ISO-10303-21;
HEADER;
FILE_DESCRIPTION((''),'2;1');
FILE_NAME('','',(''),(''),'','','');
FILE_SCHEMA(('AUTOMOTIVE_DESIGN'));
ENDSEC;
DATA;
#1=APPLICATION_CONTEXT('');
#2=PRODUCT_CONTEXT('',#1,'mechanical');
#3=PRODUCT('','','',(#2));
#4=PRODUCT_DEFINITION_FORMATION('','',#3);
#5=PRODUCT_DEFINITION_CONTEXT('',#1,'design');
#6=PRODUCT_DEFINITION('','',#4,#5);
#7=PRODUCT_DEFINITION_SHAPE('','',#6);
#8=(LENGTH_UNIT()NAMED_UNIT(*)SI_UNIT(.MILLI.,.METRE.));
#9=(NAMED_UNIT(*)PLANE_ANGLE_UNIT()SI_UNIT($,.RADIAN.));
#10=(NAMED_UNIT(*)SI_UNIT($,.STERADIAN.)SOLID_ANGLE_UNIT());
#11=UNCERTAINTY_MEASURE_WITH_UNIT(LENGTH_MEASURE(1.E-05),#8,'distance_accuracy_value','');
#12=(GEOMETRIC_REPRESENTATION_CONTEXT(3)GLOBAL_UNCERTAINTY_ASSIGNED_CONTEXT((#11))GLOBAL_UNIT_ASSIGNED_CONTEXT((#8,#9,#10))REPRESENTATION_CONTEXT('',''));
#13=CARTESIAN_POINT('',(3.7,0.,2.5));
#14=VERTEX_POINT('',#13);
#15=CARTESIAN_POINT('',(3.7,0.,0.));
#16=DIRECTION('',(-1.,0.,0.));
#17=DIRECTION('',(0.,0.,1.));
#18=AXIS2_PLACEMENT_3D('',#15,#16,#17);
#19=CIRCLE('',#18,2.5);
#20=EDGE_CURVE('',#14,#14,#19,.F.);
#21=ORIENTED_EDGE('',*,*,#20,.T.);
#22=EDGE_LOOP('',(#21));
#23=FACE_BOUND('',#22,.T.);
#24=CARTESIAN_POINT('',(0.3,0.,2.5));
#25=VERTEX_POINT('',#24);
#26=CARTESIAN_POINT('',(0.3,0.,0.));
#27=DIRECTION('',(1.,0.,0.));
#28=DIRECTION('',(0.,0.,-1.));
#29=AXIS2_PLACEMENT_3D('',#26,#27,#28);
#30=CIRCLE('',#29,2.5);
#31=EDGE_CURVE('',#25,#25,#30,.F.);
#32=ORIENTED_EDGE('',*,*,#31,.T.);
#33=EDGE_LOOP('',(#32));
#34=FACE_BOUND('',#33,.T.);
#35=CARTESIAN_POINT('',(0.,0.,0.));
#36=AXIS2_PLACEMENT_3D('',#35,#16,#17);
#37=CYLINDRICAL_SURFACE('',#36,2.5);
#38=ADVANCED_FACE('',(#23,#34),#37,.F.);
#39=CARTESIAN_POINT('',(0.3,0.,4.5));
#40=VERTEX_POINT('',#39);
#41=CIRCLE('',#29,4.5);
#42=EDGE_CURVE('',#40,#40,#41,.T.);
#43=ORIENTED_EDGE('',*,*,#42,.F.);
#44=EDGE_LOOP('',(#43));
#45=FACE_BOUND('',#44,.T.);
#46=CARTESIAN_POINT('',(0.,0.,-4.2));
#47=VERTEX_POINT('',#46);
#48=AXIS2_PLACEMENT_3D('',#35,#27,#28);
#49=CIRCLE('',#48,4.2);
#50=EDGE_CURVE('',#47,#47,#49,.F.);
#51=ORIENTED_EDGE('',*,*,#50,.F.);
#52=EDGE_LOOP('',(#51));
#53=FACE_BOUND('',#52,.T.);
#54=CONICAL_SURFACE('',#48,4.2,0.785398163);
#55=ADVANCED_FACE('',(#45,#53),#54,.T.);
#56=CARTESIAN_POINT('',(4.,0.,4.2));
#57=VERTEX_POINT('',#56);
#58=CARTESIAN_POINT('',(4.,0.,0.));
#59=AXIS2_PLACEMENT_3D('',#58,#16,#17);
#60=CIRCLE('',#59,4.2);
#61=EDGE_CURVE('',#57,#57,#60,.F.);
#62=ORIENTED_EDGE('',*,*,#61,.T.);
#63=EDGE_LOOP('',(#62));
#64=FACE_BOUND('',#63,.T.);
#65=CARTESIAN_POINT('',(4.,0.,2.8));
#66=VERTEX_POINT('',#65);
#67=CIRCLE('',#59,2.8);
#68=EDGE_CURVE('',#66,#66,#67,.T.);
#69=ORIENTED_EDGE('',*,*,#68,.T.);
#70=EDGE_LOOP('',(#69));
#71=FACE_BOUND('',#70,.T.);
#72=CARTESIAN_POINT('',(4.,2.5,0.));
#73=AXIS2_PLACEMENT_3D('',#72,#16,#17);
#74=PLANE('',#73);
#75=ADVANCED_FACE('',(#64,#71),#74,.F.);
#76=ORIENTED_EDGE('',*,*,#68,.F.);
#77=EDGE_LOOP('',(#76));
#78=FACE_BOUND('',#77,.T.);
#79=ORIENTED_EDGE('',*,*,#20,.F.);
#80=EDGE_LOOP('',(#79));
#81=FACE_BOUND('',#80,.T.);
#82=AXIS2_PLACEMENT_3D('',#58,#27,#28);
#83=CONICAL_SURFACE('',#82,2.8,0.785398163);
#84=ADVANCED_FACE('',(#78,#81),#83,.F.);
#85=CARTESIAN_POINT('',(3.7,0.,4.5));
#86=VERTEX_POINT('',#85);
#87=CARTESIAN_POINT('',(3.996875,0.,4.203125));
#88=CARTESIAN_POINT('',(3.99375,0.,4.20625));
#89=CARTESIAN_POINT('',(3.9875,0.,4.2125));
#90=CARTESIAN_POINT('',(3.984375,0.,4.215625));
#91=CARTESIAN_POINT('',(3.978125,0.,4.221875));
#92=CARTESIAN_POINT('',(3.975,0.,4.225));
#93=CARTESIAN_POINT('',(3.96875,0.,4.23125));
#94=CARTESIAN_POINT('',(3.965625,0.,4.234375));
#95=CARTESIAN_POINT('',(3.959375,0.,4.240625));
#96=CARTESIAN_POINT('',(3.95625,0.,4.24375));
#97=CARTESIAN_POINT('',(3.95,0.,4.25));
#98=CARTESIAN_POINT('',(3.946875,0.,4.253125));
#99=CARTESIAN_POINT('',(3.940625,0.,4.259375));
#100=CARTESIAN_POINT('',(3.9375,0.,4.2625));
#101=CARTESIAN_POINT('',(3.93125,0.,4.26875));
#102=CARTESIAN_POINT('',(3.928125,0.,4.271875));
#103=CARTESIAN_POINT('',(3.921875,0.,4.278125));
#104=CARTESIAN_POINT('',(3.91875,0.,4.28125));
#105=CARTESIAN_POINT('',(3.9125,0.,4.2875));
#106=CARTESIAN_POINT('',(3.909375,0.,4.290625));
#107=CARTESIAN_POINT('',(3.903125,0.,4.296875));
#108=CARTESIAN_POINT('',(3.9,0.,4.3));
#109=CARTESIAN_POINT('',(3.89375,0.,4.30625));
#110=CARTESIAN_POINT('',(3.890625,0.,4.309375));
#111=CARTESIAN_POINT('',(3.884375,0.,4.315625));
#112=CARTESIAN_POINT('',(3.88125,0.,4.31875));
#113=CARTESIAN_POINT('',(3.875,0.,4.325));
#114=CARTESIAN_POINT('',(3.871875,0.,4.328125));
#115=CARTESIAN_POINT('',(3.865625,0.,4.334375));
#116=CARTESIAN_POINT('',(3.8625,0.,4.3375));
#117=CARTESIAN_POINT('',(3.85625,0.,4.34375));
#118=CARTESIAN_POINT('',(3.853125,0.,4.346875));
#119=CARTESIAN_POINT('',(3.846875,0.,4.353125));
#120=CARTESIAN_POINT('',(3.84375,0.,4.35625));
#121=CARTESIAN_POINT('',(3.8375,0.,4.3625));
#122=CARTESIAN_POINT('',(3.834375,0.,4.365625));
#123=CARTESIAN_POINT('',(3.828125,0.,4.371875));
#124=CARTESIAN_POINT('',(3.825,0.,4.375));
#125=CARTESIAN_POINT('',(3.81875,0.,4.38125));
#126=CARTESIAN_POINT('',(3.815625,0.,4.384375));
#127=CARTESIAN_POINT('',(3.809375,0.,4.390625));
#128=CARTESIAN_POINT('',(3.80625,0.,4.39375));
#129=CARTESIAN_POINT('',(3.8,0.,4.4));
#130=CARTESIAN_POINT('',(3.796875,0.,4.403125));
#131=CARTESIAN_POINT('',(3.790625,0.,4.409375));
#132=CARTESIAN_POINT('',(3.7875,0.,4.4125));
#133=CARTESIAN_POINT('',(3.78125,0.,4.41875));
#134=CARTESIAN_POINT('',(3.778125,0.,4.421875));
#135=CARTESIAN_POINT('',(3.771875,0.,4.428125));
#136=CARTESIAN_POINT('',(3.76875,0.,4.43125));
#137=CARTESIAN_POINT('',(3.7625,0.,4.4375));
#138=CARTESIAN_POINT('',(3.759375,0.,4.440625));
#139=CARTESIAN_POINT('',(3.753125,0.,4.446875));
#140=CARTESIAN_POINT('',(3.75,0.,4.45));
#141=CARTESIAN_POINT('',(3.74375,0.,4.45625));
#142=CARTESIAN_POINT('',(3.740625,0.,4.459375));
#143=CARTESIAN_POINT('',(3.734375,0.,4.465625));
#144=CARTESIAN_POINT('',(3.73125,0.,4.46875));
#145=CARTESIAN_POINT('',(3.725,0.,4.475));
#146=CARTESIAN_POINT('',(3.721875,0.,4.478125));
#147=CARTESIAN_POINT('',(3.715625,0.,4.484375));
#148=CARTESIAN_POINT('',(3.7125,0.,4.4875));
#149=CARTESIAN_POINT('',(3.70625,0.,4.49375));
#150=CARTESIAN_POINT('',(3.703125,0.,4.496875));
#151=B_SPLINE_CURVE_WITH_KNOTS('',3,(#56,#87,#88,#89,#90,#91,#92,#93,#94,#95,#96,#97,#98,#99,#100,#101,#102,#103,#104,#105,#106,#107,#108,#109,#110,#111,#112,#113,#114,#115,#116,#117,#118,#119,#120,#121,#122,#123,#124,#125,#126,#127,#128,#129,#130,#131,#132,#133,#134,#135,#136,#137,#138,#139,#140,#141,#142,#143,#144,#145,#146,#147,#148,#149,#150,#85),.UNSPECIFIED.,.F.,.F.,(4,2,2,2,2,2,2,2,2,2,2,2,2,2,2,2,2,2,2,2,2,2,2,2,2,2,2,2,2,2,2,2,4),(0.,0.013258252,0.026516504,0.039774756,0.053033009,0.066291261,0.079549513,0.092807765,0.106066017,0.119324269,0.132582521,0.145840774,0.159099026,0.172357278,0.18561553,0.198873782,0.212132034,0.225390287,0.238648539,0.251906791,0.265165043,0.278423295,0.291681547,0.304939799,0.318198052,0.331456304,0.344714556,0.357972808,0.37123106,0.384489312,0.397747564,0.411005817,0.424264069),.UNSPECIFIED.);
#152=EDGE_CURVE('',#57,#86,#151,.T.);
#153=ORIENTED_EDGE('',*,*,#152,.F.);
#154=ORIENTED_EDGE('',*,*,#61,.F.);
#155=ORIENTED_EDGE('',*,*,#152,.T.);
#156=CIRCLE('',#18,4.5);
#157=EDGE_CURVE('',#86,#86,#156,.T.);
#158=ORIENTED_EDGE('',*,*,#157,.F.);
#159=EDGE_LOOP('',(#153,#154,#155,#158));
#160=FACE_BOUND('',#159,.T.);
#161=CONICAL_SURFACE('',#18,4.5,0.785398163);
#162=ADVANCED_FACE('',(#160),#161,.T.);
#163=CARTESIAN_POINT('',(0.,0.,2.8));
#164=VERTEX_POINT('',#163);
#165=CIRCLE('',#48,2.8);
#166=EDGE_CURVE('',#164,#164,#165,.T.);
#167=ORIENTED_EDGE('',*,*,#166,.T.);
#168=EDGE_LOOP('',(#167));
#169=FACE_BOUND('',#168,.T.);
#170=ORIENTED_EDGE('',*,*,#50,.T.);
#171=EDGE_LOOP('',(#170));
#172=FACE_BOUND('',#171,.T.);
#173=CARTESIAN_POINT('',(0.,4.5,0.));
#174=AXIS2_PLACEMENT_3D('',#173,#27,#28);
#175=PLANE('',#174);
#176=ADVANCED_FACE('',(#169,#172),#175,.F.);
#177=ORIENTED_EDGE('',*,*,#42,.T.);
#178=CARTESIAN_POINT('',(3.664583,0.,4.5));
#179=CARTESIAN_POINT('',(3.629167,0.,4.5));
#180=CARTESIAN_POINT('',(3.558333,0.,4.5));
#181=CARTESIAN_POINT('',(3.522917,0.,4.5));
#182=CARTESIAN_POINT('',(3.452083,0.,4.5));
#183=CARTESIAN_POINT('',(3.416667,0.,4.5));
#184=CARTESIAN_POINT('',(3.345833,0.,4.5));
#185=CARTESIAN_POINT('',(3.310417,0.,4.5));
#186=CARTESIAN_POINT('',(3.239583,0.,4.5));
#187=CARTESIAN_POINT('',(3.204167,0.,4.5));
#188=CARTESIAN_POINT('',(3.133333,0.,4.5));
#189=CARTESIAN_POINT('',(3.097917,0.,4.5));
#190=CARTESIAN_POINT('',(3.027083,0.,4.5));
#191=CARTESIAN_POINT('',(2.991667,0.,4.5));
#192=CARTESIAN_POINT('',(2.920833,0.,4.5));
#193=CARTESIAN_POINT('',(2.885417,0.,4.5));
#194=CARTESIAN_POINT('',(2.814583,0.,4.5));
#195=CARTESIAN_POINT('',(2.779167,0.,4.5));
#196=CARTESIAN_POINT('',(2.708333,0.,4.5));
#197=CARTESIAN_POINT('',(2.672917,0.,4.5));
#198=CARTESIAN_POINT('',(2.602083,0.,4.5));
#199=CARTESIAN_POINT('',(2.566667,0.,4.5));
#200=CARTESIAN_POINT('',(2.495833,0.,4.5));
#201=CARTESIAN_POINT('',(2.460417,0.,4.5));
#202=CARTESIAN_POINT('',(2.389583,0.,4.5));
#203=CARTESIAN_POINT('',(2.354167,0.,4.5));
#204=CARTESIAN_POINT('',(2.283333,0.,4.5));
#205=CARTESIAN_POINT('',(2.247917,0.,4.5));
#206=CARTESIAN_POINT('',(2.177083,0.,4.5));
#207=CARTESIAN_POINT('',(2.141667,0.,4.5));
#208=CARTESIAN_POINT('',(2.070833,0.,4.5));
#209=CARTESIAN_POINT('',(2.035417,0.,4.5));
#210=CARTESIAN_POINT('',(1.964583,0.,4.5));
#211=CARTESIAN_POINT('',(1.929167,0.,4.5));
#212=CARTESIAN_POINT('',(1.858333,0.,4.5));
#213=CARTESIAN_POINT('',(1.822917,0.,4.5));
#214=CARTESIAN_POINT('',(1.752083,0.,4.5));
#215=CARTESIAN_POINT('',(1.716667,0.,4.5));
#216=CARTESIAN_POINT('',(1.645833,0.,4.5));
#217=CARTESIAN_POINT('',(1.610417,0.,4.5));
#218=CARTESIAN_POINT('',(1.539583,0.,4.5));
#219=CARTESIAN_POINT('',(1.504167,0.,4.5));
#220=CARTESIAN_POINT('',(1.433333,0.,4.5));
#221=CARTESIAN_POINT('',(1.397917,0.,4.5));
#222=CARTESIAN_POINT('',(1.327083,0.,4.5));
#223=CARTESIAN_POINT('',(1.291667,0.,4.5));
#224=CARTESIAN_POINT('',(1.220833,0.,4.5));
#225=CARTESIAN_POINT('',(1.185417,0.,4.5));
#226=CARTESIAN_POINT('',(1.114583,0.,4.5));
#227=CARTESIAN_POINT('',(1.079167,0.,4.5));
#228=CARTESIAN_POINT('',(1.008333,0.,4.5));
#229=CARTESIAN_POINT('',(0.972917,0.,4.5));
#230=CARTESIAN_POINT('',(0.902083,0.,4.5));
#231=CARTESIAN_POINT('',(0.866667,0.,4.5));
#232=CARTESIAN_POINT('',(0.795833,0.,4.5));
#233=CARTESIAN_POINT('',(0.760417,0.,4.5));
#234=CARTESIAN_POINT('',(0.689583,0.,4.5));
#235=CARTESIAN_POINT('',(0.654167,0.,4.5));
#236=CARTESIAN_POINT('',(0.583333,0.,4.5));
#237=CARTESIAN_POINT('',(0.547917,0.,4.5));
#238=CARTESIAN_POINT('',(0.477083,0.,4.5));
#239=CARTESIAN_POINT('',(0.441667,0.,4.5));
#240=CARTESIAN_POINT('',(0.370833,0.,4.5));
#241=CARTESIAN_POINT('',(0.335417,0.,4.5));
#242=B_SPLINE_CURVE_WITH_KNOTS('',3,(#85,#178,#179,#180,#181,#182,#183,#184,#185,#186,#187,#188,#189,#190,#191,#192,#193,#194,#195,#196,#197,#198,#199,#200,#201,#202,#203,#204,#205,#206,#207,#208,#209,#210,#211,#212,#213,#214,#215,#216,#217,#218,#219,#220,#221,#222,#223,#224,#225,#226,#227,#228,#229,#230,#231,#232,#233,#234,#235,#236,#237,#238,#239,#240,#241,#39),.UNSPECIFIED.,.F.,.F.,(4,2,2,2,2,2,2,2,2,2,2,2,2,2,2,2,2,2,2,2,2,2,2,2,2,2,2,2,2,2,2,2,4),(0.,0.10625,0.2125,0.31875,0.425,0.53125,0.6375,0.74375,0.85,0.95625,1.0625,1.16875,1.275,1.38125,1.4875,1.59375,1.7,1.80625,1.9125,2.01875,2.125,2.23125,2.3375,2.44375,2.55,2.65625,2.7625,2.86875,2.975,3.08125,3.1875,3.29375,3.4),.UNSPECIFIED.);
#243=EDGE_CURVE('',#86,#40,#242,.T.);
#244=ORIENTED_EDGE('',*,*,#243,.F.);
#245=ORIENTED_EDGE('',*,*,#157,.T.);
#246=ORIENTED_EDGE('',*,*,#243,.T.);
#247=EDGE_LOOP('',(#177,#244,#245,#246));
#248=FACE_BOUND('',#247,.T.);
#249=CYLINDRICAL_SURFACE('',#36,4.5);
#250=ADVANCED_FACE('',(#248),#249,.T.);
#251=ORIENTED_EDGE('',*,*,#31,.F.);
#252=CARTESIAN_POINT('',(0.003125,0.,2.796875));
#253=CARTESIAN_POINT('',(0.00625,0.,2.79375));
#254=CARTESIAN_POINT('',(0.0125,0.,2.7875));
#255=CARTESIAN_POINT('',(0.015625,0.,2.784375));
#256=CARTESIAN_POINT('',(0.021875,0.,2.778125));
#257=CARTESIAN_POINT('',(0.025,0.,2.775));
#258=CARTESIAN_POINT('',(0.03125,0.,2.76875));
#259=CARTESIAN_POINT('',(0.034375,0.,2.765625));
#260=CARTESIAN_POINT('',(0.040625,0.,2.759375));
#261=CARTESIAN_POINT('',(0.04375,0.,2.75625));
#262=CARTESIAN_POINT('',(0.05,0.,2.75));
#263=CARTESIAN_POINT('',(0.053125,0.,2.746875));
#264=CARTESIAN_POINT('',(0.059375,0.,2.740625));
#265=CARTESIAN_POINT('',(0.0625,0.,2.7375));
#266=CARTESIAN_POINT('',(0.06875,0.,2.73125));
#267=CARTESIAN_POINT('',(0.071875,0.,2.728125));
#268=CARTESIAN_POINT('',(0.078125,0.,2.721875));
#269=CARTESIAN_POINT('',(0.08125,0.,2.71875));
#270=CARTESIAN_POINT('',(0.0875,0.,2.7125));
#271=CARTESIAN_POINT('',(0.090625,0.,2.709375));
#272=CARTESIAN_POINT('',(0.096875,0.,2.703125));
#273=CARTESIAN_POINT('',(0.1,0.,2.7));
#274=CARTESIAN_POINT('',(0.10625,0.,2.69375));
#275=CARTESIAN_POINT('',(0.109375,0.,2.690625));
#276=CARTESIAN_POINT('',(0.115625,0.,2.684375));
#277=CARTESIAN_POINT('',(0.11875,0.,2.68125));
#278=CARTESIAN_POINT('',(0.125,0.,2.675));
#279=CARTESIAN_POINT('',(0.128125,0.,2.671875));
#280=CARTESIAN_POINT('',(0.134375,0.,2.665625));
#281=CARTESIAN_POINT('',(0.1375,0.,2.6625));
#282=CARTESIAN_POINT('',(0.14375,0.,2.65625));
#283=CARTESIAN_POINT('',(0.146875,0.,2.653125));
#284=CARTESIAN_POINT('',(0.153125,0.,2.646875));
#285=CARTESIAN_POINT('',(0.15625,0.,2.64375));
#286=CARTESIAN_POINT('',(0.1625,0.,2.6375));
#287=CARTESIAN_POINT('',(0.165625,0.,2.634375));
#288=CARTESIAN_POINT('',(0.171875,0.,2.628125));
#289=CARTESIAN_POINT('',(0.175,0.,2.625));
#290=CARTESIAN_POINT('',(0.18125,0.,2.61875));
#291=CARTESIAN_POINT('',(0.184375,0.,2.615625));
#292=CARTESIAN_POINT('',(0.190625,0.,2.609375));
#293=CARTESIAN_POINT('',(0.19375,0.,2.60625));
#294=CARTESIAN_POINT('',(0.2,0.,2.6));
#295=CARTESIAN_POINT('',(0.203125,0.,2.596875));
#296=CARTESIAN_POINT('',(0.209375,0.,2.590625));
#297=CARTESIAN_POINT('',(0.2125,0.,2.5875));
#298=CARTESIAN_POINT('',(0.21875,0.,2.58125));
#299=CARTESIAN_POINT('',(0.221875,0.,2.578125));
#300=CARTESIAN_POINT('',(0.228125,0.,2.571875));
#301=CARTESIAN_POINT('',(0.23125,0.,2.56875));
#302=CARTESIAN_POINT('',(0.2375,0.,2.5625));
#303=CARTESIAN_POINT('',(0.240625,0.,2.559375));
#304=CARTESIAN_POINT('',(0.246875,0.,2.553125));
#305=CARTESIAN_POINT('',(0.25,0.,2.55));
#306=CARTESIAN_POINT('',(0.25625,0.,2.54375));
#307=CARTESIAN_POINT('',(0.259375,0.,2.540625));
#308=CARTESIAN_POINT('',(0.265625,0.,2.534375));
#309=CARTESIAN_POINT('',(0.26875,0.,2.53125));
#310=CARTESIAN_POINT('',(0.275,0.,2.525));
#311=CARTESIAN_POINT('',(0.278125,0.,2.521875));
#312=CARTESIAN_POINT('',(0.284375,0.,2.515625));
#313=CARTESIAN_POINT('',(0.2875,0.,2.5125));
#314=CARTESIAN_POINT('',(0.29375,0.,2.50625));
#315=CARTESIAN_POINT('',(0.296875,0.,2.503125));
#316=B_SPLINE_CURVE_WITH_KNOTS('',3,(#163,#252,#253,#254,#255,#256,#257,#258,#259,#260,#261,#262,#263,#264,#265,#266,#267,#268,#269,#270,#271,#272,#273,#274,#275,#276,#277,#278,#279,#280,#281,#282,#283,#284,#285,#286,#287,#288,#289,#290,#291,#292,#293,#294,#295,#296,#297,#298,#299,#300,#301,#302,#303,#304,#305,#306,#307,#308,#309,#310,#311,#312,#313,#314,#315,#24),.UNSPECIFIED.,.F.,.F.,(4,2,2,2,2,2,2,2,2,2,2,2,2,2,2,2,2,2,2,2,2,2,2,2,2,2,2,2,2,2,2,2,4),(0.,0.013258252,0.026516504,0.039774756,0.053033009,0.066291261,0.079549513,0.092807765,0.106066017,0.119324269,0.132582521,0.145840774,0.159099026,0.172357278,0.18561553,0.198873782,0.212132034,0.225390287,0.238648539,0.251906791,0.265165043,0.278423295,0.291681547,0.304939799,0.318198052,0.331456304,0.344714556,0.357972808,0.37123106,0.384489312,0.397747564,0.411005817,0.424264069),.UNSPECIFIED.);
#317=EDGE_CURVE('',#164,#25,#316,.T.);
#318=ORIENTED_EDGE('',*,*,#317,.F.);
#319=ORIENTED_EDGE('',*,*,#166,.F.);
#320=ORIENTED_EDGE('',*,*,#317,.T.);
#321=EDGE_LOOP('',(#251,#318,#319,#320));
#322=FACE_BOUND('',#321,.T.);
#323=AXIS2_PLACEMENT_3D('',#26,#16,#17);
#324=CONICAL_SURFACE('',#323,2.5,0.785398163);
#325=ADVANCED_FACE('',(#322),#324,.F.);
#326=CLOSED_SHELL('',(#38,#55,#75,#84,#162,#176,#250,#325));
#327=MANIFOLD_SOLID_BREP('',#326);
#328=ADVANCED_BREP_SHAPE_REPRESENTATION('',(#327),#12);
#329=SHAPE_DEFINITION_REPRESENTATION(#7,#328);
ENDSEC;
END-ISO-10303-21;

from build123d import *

# Parameters (mm, degrees)
SKICA1_W     = 4
SKICA1_H     = 2
ZKOSIT1_SIZE = 0.3


with BuildPart() as part:
    # Skica1 → Otočit kolem osy1 (revolve)
    with BuildSketch(Plane.XY, mode=Mode.PRIVATE) as oto_it_kolem_osy1_sk:
        with Locations((2, 3.5)):
            Rectangle(SKICA1_W, SKICA1_H)
    revolve(oto_it_kolem_osy1_sk.sketch.rotate(Axis((0, 0, 0), (1, 0, 0)), 90), axis=Axis((0, 0, 0), (1, 0, 0)))

    # Zkosit1
    zkosit1_edges = [part.edges().sort_by_distance(p)[0] for p in [
        (0, 0, -4.5),
        (4, 0, -4.5),
        (4, 0, -2.5),
        (0, 0, -2.5),
    ]]
    chamfer(zkosit1_edges, length=ZKOSIT1_SIZE)


solid = part.part
